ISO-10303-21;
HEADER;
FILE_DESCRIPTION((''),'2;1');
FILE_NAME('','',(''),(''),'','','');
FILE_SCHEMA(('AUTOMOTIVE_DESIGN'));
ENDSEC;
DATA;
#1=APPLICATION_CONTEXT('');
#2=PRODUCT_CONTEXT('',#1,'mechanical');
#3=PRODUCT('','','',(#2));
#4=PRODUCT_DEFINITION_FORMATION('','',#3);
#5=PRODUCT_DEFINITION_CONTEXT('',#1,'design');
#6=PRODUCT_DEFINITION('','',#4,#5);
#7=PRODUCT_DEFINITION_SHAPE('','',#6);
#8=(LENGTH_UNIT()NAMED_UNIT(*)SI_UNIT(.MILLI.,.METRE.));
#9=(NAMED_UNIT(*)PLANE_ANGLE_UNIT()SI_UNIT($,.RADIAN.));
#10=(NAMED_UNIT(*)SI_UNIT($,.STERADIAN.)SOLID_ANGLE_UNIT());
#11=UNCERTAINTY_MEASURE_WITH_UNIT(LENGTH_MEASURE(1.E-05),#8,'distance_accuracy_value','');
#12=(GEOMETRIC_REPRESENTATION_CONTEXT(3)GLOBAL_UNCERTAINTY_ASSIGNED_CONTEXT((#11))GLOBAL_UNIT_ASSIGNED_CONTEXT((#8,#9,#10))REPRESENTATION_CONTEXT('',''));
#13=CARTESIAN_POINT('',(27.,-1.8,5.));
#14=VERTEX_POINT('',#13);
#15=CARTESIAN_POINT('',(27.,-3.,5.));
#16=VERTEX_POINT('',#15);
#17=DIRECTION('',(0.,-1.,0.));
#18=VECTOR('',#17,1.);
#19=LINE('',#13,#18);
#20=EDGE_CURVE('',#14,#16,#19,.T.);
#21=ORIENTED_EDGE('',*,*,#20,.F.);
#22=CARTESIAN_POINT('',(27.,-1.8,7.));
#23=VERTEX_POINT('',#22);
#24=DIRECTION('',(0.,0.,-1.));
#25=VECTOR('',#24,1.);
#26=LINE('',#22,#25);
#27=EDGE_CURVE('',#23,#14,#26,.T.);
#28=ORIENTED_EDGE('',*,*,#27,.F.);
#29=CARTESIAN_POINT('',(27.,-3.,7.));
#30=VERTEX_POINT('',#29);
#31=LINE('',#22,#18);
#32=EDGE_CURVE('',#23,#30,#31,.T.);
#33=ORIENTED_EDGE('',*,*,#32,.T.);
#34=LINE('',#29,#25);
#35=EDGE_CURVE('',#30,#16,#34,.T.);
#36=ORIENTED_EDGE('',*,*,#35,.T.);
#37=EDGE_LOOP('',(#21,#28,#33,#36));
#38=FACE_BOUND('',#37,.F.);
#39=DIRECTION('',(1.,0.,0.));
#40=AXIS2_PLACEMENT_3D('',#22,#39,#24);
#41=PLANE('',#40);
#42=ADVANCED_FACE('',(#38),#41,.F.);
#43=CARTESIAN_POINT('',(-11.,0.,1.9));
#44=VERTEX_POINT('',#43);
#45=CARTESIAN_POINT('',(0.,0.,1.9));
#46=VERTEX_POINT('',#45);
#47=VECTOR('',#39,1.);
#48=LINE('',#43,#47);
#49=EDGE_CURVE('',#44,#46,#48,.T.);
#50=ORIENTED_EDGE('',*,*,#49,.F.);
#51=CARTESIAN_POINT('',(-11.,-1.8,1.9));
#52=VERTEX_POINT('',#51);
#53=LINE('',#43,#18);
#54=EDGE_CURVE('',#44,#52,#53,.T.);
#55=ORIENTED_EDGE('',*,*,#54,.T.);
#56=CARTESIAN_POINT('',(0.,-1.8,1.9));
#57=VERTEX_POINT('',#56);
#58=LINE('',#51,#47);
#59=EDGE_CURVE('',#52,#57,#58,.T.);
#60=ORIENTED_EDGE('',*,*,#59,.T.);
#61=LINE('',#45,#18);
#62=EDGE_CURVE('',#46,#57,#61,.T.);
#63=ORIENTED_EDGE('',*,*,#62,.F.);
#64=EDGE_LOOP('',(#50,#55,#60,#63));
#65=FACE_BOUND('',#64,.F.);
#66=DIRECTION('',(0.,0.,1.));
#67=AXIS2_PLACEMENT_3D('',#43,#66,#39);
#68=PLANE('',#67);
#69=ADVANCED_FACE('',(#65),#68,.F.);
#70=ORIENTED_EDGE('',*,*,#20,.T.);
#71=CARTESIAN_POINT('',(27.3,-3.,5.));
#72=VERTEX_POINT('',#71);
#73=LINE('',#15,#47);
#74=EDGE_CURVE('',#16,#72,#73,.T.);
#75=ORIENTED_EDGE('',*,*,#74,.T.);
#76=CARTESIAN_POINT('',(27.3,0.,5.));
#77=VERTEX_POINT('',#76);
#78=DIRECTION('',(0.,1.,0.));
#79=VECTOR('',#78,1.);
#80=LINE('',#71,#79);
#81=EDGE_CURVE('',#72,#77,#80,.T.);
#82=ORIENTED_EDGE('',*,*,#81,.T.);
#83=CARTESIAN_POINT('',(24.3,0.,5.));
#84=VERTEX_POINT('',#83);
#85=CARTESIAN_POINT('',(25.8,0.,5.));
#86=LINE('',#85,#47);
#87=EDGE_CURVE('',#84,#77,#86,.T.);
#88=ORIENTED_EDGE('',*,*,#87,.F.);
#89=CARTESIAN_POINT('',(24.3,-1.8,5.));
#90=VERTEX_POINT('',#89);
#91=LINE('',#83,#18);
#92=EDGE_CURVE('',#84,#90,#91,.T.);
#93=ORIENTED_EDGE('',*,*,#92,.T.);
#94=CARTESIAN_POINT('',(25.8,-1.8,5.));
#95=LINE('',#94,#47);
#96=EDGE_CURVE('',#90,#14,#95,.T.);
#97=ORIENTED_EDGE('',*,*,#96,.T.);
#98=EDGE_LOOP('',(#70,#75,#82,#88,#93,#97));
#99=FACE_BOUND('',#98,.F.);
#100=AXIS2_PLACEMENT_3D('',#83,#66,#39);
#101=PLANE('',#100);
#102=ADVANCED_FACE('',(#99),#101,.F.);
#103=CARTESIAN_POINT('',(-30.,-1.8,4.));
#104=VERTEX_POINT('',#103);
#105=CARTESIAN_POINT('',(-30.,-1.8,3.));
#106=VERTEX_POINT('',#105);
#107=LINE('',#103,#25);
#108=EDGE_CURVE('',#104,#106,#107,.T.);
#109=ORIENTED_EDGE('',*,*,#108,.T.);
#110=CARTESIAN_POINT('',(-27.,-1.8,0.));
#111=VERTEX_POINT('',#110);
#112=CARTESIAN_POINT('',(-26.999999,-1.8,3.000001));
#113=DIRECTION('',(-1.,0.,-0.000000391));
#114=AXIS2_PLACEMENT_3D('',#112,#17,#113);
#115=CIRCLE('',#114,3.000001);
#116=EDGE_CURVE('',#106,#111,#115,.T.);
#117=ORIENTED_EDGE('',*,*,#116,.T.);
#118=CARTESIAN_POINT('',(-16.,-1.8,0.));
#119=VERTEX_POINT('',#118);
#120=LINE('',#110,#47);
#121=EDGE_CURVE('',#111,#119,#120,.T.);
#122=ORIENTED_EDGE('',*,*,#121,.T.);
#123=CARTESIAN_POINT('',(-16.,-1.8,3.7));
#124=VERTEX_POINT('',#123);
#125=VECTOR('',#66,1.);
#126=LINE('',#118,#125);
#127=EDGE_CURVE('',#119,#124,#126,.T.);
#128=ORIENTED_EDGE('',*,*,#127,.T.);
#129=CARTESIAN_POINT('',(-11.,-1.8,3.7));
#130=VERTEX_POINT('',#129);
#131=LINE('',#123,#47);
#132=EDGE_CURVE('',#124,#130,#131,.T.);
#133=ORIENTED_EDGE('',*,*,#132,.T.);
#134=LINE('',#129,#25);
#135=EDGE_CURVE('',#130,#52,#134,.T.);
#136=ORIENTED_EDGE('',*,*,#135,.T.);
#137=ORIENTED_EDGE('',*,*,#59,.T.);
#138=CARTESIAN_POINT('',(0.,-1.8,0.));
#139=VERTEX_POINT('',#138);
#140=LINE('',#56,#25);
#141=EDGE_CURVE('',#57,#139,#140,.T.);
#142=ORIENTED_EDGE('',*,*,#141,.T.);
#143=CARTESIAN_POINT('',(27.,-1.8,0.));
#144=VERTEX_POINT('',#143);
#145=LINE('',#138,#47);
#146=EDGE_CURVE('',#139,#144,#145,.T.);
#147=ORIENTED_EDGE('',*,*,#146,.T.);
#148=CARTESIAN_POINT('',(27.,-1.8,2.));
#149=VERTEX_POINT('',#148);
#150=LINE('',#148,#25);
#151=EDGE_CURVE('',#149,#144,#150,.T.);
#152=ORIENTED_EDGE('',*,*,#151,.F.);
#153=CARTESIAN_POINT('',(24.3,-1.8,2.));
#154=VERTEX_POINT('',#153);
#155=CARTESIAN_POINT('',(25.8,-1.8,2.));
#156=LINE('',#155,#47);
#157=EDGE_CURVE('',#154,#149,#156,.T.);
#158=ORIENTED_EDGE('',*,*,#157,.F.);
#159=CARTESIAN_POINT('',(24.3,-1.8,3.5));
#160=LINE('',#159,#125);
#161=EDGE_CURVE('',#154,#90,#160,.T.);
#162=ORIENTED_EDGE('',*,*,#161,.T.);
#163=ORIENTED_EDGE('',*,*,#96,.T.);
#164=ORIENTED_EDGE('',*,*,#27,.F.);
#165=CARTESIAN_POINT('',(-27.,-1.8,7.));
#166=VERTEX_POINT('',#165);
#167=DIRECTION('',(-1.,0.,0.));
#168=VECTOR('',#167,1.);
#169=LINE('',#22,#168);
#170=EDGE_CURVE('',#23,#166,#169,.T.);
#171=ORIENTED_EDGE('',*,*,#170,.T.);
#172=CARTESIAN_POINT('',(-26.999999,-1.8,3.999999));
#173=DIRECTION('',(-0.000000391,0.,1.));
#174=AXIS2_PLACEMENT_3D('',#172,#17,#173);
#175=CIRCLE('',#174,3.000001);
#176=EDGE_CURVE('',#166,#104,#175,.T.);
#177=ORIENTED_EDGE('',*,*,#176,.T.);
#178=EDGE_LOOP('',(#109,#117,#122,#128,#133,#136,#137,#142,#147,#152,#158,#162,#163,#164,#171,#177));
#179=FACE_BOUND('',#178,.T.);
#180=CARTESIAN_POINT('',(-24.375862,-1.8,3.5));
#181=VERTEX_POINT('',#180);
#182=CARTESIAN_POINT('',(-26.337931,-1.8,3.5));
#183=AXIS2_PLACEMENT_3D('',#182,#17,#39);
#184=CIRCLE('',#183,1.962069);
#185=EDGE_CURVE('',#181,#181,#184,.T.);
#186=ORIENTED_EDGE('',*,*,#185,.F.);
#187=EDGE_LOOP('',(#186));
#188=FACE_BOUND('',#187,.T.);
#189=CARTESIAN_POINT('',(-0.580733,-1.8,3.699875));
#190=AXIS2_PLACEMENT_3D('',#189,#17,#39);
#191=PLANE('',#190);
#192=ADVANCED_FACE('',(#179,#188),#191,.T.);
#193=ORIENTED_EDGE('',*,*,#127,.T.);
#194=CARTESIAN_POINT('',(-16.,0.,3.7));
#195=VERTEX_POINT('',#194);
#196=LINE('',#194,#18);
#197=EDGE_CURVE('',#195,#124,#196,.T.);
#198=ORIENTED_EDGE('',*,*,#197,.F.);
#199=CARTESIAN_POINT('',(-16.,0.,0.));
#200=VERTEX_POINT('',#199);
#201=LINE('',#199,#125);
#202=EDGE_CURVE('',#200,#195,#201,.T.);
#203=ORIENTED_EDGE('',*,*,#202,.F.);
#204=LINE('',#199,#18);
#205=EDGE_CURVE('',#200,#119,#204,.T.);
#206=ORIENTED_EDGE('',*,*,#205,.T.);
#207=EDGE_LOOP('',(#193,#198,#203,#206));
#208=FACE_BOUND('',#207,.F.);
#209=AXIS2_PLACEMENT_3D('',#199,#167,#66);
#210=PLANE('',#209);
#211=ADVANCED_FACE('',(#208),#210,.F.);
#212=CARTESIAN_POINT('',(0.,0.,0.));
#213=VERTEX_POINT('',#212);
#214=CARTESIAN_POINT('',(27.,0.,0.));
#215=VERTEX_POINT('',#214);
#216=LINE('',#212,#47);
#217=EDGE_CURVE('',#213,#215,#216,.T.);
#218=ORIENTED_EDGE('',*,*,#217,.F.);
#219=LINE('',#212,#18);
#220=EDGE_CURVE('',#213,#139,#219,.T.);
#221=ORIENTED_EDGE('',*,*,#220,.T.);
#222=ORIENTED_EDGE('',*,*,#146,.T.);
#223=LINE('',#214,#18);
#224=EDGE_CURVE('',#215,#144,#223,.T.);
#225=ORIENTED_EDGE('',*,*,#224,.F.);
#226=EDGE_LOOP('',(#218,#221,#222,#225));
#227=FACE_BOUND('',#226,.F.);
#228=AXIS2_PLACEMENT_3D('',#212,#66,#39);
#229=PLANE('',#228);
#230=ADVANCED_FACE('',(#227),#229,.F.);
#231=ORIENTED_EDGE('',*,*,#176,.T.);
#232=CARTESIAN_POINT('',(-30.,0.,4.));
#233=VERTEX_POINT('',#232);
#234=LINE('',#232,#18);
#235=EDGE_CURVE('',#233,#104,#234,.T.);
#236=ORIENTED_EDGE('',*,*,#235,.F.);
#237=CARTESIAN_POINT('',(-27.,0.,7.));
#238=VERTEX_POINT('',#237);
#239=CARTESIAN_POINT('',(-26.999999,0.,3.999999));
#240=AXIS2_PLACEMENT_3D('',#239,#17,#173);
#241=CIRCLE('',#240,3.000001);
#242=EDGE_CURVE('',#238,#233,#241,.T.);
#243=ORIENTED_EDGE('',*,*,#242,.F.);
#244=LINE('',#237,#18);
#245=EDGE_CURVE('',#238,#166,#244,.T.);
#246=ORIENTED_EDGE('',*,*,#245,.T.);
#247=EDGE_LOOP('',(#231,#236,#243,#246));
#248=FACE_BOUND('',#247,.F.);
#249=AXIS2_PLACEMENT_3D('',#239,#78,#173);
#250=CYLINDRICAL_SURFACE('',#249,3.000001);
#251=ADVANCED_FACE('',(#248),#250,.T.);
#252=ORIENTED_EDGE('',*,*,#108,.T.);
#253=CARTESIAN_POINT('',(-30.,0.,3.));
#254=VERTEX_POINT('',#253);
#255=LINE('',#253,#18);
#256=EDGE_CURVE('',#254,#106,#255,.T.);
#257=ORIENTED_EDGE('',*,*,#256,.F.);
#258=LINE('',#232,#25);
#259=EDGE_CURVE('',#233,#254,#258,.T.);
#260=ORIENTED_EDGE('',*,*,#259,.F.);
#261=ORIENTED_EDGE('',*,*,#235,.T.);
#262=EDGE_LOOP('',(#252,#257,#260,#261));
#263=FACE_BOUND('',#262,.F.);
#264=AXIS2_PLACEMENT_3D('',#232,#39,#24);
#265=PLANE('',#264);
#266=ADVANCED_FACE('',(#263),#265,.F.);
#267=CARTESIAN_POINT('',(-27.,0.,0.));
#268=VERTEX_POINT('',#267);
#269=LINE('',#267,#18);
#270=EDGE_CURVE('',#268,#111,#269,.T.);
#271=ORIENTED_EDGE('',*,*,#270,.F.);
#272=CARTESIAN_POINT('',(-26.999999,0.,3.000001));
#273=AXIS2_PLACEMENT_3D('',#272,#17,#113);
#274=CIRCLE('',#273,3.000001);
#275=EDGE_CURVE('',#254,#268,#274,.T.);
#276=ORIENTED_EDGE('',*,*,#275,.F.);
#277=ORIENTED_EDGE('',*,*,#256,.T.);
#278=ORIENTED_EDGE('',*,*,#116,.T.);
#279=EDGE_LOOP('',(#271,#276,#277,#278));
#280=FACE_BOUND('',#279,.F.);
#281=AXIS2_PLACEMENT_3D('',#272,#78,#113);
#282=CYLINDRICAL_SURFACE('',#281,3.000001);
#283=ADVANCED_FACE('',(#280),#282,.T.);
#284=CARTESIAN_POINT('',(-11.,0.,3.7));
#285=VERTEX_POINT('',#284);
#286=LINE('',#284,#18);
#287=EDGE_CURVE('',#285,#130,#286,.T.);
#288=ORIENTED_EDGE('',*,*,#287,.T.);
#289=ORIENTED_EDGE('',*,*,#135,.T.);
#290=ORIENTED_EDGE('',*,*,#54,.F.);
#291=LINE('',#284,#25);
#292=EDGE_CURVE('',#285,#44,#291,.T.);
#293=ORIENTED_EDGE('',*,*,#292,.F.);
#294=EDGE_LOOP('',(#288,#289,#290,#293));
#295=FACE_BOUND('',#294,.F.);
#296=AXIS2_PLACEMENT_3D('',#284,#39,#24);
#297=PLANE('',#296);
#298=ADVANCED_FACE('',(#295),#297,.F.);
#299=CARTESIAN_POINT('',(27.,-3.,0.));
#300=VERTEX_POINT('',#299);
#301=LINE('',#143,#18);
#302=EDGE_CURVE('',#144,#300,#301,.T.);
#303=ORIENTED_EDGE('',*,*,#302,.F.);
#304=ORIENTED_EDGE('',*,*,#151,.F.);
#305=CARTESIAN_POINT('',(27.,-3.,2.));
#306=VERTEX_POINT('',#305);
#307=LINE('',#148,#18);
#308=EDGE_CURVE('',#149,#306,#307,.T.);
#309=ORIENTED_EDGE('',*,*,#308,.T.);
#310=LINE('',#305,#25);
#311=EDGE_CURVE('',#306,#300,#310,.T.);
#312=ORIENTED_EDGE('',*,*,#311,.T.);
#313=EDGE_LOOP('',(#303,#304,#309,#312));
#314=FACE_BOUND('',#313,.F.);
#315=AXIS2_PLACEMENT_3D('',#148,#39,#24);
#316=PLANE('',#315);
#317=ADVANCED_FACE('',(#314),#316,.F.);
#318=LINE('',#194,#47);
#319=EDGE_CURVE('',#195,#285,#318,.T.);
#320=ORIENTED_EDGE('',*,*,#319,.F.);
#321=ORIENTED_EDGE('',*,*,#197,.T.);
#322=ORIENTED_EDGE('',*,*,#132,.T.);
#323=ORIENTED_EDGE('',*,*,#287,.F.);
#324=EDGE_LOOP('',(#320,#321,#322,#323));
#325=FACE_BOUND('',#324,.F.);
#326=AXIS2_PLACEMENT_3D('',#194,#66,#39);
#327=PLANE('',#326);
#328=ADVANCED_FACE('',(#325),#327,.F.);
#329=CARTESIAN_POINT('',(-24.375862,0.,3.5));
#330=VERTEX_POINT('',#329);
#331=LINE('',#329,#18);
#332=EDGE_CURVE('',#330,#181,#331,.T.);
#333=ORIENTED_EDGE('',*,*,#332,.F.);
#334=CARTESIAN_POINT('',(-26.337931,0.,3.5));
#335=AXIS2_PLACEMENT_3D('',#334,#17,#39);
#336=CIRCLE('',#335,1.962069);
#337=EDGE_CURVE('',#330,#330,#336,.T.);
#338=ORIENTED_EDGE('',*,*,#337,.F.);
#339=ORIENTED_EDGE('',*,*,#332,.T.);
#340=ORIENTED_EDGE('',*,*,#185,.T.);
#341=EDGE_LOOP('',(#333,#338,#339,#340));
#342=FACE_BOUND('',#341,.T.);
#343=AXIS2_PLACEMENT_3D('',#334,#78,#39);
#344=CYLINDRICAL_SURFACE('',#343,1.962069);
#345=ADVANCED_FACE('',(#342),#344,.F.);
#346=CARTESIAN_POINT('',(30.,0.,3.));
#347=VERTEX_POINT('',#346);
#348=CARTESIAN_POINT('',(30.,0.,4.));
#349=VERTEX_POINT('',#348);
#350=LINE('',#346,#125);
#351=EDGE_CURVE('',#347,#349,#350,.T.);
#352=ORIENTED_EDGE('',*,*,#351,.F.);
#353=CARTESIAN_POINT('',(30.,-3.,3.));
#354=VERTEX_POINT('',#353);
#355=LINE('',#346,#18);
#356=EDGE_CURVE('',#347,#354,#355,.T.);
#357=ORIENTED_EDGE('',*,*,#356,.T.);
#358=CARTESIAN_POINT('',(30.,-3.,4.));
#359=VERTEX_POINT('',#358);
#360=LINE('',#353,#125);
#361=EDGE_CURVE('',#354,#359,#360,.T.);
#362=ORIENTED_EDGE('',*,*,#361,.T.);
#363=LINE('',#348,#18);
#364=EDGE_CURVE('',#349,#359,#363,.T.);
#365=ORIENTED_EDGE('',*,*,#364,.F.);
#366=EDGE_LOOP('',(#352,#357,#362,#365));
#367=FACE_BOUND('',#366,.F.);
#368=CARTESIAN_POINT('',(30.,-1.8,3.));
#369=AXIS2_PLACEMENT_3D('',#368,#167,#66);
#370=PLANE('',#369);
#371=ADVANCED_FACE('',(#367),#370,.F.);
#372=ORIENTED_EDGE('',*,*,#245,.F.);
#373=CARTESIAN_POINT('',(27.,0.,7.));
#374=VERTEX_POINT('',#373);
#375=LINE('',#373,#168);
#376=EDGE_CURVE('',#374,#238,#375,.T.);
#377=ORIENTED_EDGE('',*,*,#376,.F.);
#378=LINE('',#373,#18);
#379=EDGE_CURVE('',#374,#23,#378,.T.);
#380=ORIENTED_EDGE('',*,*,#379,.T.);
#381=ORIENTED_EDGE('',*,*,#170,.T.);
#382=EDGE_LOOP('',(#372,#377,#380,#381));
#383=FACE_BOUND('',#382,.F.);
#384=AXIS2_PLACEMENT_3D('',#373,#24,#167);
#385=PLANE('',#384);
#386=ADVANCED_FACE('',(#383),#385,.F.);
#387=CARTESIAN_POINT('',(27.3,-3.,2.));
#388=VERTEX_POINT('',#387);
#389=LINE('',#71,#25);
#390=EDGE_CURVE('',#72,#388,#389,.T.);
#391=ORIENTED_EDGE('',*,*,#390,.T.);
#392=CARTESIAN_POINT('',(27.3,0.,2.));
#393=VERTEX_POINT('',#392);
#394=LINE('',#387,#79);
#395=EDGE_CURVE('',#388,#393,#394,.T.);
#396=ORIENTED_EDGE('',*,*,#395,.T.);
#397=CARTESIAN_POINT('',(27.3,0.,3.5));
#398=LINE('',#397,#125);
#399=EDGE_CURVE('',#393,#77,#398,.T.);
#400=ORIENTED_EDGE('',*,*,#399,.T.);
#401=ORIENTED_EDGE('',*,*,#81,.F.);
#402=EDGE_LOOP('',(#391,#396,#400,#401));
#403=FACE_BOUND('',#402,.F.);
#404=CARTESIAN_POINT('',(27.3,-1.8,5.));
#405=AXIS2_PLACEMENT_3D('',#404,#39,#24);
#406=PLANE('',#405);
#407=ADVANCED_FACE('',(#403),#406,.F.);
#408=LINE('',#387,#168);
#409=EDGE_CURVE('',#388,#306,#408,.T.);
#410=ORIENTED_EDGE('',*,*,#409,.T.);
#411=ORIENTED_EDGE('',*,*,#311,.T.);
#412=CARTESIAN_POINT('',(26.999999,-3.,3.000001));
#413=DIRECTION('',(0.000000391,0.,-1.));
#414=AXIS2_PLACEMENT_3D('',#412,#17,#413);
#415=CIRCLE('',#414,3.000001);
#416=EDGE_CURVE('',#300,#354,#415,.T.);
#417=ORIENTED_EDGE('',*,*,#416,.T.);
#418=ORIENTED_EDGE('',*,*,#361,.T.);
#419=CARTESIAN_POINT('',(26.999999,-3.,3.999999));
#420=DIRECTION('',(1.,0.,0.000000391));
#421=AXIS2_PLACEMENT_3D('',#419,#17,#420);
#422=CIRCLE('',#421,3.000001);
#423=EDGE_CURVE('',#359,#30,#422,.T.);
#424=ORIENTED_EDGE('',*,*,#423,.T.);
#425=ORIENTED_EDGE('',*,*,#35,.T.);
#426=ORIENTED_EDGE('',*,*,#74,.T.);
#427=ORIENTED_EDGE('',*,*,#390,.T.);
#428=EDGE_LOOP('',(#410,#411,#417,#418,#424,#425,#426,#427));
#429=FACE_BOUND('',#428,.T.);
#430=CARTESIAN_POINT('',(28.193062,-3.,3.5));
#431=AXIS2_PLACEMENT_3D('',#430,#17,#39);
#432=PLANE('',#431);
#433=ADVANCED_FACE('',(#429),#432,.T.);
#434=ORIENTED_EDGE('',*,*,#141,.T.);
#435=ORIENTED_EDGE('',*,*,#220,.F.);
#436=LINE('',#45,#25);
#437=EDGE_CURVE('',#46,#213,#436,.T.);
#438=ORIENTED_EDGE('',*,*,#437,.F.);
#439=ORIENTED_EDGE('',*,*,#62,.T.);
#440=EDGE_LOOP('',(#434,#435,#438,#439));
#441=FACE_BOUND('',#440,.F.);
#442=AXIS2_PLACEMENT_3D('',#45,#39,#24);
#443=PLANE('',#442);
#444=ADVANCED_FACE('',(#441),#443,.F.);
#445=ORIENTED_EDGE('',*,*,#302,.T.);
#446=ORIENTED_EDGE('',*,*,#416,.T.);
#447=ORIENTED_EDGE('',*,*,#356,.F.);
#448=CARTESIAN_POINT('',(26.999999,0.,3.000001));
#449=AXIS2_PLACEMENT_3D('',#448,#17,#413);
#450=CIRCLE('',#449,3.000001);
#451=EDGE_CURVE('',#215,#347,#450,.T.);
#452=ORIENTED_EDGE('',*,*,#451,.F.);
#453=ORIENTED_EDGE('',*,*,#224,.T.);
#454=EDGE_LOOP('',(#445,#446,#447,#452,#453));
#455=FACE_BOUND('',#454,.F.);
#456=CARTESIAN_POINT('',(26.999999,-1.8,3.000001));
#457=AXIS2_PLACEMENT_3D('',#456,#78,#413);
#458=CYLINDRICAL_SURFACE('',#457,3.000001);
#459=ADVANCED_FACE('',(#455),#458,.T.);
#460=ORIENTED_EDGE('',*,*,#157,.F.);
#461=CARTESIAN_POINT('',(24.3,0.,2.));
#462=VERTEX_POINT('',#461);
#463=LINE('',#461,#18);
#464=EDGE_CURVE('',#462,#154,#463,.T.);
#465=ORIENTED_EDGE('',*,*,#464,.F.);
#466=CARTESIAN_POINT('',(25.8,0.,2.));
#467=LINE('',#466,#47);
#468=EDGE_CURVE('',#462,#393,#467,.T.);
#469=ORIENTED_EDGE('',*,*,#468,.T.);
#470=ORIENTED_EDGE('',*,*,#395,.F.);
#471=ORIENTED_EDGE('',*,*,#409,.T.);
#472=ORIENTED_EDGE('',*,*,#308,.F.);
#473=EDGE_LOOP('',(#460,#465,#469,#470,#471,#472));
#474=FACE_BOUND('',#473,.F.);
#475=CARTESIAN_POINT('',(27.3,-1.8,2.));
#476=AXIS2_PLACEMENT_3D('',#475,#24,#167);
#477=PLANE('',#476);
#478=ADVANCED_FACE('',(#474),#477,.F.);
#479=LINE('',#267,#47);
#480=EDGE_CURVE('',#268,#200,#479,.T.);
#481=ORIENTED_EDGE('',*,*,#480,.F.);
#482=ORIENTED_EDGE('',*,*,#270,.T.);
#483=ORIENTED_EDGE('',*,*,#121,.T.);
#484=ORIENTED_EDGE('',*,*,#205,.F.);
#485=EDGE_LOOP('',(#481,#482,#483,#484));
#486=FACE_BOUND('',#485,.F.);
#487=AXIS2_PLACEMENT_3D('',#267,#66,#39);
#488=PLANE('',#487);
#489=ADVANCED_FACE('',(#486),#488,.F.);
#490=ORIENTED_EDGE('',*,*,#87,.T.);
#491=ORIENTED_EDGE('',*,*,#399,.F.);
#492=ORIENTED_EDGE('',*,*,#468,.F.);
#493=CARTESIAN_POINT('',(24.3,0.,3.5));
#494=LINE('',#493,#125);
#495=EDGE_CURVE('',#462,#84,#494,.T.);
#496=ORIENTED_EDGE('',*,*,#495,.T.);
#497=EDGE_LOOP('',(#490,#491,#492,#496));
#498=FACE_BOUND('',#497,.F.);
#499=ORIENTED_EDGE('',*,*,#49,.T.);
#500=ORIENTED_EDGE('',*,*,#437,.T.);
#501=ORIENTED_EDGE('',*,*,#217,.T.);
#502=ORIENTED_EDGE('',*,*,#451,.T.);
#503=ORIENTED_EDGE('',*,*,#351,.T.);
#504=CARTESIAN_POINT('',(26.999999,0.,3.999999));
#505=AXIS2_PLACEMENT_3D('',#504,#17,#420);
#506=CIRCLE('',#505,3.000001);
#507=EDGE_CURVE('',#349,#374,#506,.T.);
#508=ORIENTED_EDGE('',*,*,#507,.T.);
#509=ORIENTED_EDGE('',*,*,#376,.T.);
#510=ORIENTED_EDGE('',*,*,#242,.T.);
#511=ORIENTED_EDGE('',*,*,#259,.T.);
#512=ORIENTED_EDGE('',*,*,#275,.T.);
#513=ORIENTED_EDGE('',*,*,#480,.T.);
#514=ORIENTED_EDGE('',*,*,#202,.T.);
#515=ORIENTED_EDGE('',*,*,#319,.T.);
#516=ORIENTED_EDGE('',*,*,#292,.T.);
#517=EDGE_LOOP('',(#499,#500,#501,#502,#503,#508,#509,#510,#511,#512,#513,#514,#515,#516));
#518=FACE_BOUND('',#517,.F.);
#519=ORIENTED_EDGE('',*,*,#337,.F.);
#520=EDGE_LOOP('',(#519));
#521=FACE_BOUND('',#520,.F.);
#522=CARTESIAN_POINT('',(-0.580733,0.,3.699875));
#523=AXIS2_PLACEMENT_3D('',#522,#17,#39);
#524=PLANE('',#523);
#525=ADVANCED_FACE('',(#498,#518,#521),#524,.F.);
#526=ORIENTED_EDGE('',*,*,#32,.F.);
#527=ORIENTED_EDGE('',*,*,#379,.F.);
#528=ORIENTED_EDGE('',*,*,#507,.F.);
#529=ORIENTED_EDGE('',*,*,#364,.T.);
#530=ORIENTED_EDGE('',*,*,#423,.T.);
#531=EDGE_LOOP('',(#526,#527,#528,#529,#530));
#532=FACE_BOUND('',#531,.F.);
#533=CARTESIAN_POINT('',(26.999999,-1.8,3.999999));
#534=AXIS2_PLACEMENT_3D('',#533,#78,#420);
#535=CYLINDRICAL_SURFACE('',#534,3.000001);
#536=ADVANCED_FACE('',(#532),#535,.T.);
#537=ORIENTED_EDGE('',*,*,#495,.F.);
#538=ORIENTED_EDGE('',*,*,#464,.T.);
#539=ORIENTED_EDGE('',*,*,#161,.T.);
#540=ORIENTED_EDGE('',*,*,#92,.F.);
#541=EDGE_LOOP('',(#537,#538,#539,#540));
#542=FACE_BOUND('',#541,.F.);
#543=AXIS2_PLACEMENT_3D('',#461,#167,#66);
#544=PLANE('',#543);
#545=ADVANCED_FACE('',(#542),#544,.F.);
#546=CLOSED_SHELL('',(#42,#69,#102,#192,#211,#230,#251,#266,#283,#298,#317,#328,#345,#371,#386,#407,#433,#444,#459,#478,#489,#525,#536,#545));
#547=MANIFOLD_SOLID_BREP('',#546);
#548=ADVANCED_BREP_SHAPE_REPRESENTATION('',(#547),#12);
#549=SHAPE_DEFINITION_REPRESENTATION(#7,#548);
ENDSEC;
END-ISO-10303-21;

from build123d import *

# Parameters (mm, degrees)
F0_R     = 1.962069
F0_W     = 3
F0_H     = 3
F1_DEPTH = 1.8
F3_DEPTH = 1.2


with BuildPart() as f1:
    # F0 (on Front) → F1 (new body)
    with BuildSketch(Plane.XZ):
        with BuildLine():
            Line((27, 7), (-27, 7))
            ThreePointArc((-27, 7), (-29.12132, 6.12132), (-30, 4))
            Line((-30, 4), (-30, 3))
            ThreePointArc((-30, 3), (-29.12132, 0.87868), (-27, 0))
            Line((-27, 0), (-16, 0))
            Line((-16, 0), (-16, 1.9))
            Line((-16, 1.9), (-16, 3.7))
            Line((-16, 3.7), (-11, 3.7))
            Line((-11, 3.7), (-11, 1.9))
            Line((-11, 1.9), (0, 1.9))
            Line((0, 1.9), (0, 0))
            Line((0, 0), (27, 0))
            ThreePointArc((27, 0), (29.12132, 0.87868), (30, 3))
            Line((30, 3), (30, 4))
            ThreePointArc((30, 4), (29.12132, 6.12132), (27, 7))
        make_face()
        with Locations((-26.337931, 3.5)):
            Circle(F0_R, mode=Mode.SUBTRACT)
        with Locations((25.8, 3.5)):
            Rectangle(F0_W, F0_H, mode=Mode.SUBTRACT)
    extrude(amount=F1_DEPTH)

    # F2 (on face) → F3 (join)
    with BuildSketch(Plane.XZ.offset(1.8)):
        with BuildLine():
            Line((27, 2), (27, 0))
            ThreePointArc((27, 0), (29.12132, 0.87868), (30, 3))
            Line((30, 3), (30, 4))
            ThreePointArc((30, 4), (29.12132, 6.12132), (27, 7))
            Line((27, 7), (27, 5))
            Line((27, 5), (27.3, 5))
            Line((27.3, 5), (27.3, 2))
            Line((27.3, 2), (27, 2))
        make_face()
    extrude(amount=F3_DEPTH)


solid = f1.part
